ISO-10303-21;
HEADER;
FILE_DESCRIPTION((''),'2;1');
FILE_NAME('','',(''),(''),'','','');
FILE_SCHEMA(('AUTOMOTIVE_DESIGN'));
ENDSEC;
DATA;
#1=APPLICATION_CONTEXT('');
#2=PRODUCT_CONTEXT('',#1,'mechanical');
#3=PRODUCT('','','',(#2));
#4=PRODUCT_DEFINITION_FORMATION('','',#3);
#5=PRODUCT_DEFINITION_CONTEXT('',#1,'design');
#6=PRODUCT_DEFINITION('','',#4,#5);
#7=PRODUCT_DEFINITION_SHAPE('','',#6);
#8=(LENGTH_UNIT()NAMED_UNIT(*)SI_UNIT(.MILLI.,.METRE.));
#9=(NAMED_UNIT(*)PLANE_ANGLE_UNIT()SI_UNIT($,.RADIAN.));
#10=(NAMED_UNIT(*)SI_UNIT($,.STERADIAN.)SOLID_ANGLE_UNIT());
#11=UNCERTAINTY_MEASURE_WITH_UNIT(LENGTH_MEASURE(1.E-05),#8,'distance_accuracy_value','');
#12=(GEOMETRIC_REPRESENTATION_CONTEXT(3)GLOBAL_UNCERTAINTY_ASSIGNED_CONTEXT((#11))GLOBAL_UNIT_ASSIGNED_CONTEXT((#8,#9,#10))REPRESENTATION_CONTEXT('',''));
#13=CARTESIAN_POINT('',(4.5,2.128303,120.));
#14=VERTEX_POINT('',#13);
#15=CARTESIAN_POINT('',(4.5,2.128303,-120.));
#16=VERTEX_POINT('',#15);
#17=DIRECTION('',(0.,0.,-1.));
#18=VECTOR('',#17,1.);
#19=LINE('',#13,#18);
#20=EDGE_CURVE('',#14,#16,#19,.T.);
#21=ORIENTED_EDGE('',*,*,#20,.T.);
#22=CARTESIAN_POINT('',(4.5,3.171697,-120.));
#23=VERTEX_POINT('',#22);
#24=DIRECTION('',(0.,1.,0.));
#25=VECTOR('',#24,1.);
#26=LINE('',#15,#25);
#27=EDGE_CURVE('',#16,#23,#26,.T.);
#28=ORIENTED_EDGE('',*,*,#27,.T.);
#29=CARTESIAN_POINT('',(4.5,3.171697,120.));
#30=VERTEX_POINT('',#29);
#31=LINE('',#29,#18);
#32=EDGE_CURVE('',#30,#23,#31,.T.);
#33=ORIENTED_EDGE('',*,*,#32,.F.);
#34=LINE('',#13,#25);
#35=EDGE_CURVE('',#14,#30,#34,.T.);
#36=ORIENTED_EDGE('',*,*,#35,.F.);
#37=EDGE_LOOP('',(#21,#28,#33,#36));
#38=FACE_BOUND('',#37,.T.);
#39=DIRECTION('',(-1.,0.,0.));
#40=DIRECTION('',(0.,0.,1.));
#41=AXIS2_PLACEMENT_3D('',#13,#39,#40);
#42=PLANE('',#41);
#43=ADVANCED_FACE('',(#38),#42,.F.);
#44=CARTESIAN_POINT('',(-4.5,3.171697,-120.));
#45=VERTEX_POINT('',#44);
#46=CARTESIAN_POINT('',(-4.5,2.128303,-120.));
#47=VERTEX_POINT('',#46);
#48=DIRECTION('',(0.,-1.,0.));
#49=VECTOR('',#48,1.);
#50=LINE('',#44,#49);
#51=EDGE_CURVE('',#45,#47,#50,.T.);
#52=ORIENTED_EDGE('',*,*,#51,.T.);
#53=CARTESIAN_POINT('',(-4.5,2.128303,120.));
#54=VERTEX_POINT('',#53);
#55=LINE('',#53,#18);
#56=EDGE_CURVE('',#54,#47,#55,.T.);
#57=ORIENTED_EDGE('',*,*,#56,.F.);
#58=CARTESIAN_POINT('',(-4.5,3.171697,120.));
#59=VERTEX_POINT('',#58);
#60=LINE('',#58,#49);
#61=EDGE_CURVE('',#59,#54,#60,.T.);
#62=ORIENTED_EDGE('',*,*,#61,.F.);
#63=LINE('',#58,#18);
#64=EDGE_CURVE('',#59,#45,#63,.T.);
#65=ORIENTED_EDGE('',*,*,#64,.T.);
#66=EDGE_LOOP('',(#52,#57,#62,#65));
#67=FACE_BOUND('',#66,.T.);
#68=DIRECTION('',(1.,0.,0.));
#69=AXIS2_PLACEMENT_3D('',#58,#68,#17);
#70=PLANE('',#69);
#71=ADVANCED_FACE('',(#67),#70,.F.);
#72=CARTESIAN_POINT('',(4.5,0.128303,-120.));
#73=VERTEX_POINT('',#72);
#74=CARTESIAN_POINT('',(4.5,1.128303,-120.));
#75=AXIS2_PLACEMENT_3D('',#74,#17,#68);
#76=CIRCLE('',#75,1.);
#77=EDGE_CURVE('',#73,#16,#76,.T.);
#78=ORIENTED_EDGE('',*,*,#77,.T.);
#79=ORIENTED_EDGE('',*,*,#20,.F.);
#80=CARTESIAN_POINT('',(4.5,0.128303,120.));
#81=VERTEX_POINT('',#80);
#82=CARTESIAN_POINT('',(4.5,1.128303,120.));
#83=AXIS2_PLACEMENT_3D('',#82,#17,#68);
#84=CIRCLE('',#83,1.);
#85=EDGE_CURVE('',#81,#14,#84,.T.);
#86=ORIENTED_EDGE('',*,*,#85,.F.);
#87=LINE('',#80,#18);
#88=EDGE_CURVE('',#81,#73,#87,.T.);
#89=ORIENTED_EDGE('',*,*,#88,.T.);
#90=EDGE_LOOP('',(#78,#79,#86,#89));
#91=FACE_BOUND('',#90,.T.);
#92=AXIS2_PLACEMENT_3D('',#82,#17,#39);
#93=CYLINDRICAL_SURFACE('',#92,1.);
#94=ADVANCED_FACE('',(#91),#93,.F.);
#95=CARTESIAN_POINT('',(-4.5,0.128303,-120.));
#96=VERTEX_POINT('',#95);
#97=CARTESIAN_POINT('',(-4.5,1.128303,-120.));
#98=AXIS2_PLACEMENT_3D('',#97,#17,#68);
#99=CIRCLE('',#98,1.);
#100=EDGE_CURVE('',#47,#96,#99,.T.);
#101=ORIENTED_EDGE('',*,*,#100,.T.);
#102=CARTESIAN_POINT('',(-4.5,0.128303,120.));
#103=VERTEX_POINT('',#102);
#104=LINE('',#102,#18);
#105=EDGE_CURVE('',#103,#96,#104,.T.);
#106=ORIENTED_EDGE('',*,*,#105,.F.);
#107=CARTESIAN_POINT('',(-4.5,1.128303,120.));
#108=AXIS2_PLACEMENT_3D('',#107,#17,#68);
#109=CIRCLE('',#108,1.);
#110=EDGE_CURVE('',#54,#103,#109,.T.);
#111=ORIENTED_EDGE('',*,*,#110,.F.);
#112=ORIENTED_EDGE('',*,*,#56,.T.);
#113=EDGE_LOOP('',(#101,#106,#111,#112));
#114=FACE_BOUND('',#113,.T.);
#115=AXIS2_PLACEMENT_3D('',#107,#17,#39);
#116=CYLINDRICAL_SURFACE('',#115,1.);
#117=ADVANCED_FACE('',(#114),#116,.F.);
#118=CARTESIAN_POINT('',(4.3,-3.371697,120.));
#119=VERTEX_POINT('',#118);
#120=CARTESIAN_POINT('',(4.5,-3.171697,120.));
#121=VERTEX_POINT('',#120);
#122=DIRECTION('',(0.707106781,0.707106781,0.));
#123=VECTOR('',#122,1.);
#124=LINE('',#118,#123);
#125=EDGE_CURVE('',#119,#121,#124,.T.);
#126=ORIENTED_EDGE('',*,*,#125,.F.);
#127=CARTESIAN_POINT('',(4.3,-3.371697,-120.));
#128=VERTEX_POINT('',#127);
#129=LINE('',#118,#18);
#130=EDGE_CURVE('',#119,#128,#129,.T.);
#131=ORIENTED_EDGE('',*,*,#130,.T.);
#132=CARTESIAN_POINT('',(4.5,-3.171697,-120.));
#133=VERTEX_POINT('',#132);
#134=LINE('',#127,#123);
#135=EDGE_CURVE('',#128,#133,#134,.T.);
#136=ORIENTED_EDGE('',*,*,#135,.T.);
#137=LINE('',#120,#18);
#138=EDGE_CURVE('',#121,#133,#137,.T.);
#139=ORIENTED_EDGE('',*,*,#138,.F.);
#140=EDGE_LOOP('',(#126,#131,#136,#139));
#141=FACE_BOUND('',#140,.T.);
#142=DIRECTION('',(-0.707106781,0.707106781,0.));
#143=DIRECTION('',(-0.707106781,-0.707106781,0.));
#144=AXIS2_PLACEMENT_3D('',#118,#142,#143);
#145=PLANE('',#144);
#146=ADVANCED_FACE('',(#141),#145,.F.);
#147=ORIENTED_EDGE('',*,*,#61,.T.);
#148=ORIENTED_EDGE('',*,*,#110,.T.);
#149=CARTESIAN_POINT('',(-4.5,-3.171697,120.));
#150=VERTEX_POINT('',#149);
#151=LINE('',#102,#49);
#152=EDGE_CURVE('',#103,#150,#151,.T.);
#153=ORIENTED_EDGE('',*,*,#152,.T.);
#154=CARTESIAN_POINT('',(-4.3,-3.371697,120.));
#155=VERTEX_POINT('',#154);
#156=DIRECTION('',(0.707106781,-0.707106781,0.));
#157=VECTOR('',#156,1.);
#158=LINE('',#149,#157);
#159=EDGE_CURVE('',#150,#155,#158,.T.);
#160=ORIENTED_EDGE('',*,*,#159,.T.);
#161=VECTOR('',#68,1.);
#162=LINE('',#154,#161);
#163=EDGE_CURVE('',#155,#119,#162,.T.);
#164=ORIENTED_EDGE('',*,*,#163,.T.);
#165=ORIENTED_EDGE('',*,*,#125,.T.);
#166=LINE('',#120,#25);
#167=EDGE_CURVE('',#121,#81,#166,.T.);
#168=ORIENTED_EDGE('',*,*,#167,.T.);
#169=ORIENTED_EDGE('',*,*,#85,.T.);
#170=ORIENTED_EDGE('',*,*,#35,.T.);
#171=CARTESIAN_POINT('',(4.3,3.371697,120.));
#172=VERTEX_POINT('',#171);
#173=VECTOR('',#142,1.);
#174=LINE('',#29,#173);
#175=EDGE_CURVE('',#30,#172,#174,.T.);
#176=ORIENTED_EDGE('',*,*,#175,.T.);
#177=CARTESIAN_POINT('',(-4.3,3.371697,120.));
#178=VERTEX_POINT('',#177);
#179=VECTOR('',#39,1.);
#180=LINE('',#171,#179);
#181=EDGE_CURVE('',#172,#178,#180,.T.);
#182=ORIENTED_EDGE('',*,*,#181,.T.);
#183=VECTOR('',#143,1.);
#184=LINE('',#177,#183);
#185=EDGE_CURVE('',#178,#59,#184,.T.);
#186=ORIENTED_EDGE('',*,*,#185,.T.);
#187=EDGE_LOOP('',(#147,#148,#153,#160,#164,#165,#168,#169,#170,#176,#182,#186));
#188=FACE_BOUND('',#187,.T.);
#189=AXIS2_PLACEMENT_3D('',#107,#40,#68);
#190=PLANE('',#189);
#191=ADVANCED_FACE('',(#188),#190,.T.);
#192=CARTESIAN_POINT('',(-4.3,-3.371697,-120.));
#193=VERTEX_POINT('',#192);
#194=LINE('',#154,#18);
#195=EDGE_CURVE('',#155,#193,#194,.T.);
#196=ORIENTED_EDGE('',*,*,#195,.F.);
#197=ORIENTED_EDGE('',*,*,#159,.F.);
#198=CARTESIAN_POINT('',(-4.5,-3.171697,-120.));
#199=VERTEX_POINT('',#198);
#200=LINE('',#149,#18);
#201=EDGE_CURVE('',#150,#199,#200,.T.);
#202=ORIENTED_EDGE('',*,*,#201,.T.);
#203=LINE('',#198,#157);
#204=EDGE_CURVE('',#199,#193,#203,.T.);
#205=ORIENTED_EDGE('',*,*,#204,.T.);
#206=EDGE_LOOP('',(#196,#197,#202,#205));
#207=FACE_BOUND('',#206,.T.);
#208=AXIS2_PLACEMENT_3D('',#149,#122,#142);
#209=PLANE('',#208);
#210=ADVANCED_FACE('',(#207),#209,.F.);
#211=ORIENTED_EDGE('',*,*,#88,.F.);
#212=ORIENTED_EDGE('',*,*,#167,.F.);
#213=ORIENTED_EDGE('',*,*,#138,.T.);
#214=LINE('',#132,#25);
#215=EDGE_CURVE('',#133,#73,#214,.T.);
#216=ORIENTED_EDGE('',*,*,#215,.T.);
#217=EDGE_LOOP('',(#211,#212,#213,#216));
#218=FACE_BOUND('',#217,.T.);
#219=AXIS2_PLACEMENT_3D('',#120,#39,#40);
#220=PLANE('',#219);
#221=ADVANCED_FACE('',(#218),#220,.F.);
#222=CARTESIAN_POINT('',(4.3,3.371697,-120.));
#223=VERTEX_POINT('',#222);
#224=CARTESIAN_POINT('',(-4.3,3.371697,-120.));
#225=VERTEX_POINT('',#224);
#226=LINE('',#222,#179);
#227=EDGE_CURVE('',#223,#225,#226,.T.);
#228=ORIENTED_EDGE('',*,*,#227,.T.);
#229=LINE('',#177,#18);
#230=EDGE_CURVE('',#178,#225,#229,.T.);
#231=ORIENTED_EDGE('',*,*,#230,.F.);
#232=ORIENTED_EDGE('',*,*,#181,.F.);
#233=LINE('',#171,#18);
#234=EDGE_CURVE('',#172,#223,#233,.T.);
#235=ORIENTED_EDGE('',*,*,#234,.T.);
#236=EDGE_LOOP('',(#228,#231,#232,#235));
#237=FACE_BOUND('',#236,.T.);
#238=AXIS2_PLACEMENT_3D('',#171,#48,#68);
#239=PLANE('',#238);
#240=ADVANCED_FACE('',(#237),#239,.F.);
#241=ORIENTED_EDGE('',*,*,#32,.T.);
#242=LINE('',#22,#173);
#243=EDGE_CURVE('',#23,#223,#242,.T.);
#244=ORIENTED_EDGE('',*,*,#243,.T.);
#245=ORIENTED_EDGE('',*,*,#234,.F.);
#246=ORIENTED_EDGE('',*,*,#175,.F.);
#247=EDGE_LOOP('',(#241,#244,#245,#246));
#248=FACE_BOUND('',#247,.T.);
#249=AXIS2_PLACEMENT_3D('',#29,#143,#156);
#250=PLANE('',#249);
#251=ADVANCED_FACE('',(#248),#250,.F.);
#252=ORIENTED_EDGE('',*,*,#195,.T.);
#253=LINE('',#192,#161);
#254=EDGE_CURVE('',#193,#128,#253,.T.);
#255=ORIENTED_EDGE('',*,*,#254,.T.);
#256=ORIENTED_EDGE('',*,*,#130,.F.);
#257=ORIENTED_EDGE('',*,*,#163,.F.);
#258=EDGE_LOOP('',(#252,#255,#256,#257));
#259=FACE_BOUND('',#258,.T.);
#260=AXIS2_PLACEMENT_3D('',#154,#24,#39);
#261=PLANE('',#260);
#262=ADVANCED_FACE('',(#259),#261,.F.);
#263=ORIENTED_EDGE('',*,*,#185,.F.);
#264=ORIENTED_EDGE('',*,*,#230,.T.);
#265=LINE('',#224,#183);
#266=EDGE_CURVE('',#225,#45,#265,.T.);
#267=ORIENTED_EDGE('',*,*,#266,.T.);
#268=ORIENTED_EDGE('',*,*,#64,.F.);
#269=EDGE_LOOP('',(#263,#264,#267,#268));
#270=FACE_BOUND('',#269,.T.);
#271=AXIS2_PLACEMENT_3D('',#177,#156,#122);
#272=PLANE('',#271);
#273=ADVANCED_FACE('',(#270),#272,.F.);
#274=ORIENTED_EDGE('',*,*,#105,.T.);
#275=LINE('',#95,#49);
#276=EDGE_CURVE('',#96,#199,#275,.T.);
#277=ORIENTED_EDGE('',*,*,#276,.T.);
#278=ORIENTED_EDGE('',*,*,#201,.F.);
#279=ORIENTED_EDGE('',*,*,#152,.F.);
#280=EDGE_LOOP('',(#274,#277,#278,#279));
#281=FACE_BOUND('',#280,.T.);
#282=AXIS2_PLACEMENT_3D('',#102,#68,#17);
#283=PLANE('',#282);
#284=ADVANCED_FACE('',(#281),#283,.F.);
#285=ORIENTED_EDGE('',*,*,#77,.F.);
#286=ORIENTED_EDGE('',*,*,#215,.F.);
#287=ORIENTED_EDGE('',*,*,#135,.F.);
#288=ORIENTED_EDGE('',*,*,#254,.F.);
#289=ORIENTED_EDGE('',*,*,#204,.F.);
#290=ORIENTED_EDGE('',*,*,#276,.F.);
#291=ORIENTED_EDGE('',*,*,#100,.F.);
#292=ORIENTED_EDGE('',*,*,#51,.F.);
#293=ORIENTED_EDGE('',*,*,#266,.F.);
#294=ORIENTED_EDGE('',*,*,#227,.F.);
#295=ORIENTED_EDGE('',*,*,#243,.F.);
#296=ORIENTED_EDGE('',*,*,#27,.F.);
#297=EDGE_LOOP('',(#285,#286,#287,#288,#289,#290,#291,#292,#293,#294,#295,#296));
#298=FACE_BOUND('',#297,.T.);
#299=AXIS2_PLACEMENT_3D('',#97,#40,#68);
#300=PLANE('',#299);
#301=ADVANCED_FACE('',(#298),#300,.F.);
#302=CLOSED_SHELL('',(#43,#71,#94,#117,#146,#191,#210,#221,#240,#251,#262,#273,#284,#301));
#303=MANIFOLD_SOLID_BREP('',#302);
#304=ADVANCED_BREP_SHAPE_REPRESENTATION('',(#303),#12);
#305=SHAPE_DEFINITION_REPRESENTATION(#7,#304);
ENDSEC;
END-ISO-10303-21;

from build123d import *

# Parameters (mm, degrees)
BOSS_EXTRUDE1_DEPTH = 120


with BuildPart() as part:
    # Sketch1 → Boss-Extrude1 (new, symmetric)
    with BuildSketch(Plane.XY):
        with BuildLine():
            Line((-4.5, 0.128302789), (-4.5, -3.171697211))
            Line((-4.5, -3.171697211), (-4.3, -3.371697211))
            Line((-4.3, -3.371697211), (4.3, -3.371697211))
            Line((4.3, -3.371697211), (4.5, -3.171697211))
            Line((4.5, -3.171697211), (4.5, 0.128302789))
            ThreePointArc((4.5, 0.128302789), (3.792893219, 0.421196008), (3.5, 1.128302789))
            ThreePointArc((3.5, 1.128302789), (3.792893219, 1.83540957), (4.5, 2.128302789))
            Line((4.5, 2.128302789), (4.5, 3.171697211))
            Line((4.5, 3.171697211), (4.3, 3.371697211))
            Line((4.3, 3.371697211), (-4.3, 3.371697211))
            Line((-4.3, 3.371697211), (-4.5, 3.171697211))
            Line((-4.5, 3.171697211), (-4.5, 2.128302789))
            ThreePointArc((-4.5, 2.128302789), (-3.792893215, 1.835409567), (-3.5, 1.128302779))
            ThreePointArc((-3.5, 1.128302779), (-3.792893222, 0.421196004), (-4.5, 0.128302789))
        make_face()
    extrude(amount=BOSS_EXTRUDE1_DEPTH, both=True)


solid = part.part
